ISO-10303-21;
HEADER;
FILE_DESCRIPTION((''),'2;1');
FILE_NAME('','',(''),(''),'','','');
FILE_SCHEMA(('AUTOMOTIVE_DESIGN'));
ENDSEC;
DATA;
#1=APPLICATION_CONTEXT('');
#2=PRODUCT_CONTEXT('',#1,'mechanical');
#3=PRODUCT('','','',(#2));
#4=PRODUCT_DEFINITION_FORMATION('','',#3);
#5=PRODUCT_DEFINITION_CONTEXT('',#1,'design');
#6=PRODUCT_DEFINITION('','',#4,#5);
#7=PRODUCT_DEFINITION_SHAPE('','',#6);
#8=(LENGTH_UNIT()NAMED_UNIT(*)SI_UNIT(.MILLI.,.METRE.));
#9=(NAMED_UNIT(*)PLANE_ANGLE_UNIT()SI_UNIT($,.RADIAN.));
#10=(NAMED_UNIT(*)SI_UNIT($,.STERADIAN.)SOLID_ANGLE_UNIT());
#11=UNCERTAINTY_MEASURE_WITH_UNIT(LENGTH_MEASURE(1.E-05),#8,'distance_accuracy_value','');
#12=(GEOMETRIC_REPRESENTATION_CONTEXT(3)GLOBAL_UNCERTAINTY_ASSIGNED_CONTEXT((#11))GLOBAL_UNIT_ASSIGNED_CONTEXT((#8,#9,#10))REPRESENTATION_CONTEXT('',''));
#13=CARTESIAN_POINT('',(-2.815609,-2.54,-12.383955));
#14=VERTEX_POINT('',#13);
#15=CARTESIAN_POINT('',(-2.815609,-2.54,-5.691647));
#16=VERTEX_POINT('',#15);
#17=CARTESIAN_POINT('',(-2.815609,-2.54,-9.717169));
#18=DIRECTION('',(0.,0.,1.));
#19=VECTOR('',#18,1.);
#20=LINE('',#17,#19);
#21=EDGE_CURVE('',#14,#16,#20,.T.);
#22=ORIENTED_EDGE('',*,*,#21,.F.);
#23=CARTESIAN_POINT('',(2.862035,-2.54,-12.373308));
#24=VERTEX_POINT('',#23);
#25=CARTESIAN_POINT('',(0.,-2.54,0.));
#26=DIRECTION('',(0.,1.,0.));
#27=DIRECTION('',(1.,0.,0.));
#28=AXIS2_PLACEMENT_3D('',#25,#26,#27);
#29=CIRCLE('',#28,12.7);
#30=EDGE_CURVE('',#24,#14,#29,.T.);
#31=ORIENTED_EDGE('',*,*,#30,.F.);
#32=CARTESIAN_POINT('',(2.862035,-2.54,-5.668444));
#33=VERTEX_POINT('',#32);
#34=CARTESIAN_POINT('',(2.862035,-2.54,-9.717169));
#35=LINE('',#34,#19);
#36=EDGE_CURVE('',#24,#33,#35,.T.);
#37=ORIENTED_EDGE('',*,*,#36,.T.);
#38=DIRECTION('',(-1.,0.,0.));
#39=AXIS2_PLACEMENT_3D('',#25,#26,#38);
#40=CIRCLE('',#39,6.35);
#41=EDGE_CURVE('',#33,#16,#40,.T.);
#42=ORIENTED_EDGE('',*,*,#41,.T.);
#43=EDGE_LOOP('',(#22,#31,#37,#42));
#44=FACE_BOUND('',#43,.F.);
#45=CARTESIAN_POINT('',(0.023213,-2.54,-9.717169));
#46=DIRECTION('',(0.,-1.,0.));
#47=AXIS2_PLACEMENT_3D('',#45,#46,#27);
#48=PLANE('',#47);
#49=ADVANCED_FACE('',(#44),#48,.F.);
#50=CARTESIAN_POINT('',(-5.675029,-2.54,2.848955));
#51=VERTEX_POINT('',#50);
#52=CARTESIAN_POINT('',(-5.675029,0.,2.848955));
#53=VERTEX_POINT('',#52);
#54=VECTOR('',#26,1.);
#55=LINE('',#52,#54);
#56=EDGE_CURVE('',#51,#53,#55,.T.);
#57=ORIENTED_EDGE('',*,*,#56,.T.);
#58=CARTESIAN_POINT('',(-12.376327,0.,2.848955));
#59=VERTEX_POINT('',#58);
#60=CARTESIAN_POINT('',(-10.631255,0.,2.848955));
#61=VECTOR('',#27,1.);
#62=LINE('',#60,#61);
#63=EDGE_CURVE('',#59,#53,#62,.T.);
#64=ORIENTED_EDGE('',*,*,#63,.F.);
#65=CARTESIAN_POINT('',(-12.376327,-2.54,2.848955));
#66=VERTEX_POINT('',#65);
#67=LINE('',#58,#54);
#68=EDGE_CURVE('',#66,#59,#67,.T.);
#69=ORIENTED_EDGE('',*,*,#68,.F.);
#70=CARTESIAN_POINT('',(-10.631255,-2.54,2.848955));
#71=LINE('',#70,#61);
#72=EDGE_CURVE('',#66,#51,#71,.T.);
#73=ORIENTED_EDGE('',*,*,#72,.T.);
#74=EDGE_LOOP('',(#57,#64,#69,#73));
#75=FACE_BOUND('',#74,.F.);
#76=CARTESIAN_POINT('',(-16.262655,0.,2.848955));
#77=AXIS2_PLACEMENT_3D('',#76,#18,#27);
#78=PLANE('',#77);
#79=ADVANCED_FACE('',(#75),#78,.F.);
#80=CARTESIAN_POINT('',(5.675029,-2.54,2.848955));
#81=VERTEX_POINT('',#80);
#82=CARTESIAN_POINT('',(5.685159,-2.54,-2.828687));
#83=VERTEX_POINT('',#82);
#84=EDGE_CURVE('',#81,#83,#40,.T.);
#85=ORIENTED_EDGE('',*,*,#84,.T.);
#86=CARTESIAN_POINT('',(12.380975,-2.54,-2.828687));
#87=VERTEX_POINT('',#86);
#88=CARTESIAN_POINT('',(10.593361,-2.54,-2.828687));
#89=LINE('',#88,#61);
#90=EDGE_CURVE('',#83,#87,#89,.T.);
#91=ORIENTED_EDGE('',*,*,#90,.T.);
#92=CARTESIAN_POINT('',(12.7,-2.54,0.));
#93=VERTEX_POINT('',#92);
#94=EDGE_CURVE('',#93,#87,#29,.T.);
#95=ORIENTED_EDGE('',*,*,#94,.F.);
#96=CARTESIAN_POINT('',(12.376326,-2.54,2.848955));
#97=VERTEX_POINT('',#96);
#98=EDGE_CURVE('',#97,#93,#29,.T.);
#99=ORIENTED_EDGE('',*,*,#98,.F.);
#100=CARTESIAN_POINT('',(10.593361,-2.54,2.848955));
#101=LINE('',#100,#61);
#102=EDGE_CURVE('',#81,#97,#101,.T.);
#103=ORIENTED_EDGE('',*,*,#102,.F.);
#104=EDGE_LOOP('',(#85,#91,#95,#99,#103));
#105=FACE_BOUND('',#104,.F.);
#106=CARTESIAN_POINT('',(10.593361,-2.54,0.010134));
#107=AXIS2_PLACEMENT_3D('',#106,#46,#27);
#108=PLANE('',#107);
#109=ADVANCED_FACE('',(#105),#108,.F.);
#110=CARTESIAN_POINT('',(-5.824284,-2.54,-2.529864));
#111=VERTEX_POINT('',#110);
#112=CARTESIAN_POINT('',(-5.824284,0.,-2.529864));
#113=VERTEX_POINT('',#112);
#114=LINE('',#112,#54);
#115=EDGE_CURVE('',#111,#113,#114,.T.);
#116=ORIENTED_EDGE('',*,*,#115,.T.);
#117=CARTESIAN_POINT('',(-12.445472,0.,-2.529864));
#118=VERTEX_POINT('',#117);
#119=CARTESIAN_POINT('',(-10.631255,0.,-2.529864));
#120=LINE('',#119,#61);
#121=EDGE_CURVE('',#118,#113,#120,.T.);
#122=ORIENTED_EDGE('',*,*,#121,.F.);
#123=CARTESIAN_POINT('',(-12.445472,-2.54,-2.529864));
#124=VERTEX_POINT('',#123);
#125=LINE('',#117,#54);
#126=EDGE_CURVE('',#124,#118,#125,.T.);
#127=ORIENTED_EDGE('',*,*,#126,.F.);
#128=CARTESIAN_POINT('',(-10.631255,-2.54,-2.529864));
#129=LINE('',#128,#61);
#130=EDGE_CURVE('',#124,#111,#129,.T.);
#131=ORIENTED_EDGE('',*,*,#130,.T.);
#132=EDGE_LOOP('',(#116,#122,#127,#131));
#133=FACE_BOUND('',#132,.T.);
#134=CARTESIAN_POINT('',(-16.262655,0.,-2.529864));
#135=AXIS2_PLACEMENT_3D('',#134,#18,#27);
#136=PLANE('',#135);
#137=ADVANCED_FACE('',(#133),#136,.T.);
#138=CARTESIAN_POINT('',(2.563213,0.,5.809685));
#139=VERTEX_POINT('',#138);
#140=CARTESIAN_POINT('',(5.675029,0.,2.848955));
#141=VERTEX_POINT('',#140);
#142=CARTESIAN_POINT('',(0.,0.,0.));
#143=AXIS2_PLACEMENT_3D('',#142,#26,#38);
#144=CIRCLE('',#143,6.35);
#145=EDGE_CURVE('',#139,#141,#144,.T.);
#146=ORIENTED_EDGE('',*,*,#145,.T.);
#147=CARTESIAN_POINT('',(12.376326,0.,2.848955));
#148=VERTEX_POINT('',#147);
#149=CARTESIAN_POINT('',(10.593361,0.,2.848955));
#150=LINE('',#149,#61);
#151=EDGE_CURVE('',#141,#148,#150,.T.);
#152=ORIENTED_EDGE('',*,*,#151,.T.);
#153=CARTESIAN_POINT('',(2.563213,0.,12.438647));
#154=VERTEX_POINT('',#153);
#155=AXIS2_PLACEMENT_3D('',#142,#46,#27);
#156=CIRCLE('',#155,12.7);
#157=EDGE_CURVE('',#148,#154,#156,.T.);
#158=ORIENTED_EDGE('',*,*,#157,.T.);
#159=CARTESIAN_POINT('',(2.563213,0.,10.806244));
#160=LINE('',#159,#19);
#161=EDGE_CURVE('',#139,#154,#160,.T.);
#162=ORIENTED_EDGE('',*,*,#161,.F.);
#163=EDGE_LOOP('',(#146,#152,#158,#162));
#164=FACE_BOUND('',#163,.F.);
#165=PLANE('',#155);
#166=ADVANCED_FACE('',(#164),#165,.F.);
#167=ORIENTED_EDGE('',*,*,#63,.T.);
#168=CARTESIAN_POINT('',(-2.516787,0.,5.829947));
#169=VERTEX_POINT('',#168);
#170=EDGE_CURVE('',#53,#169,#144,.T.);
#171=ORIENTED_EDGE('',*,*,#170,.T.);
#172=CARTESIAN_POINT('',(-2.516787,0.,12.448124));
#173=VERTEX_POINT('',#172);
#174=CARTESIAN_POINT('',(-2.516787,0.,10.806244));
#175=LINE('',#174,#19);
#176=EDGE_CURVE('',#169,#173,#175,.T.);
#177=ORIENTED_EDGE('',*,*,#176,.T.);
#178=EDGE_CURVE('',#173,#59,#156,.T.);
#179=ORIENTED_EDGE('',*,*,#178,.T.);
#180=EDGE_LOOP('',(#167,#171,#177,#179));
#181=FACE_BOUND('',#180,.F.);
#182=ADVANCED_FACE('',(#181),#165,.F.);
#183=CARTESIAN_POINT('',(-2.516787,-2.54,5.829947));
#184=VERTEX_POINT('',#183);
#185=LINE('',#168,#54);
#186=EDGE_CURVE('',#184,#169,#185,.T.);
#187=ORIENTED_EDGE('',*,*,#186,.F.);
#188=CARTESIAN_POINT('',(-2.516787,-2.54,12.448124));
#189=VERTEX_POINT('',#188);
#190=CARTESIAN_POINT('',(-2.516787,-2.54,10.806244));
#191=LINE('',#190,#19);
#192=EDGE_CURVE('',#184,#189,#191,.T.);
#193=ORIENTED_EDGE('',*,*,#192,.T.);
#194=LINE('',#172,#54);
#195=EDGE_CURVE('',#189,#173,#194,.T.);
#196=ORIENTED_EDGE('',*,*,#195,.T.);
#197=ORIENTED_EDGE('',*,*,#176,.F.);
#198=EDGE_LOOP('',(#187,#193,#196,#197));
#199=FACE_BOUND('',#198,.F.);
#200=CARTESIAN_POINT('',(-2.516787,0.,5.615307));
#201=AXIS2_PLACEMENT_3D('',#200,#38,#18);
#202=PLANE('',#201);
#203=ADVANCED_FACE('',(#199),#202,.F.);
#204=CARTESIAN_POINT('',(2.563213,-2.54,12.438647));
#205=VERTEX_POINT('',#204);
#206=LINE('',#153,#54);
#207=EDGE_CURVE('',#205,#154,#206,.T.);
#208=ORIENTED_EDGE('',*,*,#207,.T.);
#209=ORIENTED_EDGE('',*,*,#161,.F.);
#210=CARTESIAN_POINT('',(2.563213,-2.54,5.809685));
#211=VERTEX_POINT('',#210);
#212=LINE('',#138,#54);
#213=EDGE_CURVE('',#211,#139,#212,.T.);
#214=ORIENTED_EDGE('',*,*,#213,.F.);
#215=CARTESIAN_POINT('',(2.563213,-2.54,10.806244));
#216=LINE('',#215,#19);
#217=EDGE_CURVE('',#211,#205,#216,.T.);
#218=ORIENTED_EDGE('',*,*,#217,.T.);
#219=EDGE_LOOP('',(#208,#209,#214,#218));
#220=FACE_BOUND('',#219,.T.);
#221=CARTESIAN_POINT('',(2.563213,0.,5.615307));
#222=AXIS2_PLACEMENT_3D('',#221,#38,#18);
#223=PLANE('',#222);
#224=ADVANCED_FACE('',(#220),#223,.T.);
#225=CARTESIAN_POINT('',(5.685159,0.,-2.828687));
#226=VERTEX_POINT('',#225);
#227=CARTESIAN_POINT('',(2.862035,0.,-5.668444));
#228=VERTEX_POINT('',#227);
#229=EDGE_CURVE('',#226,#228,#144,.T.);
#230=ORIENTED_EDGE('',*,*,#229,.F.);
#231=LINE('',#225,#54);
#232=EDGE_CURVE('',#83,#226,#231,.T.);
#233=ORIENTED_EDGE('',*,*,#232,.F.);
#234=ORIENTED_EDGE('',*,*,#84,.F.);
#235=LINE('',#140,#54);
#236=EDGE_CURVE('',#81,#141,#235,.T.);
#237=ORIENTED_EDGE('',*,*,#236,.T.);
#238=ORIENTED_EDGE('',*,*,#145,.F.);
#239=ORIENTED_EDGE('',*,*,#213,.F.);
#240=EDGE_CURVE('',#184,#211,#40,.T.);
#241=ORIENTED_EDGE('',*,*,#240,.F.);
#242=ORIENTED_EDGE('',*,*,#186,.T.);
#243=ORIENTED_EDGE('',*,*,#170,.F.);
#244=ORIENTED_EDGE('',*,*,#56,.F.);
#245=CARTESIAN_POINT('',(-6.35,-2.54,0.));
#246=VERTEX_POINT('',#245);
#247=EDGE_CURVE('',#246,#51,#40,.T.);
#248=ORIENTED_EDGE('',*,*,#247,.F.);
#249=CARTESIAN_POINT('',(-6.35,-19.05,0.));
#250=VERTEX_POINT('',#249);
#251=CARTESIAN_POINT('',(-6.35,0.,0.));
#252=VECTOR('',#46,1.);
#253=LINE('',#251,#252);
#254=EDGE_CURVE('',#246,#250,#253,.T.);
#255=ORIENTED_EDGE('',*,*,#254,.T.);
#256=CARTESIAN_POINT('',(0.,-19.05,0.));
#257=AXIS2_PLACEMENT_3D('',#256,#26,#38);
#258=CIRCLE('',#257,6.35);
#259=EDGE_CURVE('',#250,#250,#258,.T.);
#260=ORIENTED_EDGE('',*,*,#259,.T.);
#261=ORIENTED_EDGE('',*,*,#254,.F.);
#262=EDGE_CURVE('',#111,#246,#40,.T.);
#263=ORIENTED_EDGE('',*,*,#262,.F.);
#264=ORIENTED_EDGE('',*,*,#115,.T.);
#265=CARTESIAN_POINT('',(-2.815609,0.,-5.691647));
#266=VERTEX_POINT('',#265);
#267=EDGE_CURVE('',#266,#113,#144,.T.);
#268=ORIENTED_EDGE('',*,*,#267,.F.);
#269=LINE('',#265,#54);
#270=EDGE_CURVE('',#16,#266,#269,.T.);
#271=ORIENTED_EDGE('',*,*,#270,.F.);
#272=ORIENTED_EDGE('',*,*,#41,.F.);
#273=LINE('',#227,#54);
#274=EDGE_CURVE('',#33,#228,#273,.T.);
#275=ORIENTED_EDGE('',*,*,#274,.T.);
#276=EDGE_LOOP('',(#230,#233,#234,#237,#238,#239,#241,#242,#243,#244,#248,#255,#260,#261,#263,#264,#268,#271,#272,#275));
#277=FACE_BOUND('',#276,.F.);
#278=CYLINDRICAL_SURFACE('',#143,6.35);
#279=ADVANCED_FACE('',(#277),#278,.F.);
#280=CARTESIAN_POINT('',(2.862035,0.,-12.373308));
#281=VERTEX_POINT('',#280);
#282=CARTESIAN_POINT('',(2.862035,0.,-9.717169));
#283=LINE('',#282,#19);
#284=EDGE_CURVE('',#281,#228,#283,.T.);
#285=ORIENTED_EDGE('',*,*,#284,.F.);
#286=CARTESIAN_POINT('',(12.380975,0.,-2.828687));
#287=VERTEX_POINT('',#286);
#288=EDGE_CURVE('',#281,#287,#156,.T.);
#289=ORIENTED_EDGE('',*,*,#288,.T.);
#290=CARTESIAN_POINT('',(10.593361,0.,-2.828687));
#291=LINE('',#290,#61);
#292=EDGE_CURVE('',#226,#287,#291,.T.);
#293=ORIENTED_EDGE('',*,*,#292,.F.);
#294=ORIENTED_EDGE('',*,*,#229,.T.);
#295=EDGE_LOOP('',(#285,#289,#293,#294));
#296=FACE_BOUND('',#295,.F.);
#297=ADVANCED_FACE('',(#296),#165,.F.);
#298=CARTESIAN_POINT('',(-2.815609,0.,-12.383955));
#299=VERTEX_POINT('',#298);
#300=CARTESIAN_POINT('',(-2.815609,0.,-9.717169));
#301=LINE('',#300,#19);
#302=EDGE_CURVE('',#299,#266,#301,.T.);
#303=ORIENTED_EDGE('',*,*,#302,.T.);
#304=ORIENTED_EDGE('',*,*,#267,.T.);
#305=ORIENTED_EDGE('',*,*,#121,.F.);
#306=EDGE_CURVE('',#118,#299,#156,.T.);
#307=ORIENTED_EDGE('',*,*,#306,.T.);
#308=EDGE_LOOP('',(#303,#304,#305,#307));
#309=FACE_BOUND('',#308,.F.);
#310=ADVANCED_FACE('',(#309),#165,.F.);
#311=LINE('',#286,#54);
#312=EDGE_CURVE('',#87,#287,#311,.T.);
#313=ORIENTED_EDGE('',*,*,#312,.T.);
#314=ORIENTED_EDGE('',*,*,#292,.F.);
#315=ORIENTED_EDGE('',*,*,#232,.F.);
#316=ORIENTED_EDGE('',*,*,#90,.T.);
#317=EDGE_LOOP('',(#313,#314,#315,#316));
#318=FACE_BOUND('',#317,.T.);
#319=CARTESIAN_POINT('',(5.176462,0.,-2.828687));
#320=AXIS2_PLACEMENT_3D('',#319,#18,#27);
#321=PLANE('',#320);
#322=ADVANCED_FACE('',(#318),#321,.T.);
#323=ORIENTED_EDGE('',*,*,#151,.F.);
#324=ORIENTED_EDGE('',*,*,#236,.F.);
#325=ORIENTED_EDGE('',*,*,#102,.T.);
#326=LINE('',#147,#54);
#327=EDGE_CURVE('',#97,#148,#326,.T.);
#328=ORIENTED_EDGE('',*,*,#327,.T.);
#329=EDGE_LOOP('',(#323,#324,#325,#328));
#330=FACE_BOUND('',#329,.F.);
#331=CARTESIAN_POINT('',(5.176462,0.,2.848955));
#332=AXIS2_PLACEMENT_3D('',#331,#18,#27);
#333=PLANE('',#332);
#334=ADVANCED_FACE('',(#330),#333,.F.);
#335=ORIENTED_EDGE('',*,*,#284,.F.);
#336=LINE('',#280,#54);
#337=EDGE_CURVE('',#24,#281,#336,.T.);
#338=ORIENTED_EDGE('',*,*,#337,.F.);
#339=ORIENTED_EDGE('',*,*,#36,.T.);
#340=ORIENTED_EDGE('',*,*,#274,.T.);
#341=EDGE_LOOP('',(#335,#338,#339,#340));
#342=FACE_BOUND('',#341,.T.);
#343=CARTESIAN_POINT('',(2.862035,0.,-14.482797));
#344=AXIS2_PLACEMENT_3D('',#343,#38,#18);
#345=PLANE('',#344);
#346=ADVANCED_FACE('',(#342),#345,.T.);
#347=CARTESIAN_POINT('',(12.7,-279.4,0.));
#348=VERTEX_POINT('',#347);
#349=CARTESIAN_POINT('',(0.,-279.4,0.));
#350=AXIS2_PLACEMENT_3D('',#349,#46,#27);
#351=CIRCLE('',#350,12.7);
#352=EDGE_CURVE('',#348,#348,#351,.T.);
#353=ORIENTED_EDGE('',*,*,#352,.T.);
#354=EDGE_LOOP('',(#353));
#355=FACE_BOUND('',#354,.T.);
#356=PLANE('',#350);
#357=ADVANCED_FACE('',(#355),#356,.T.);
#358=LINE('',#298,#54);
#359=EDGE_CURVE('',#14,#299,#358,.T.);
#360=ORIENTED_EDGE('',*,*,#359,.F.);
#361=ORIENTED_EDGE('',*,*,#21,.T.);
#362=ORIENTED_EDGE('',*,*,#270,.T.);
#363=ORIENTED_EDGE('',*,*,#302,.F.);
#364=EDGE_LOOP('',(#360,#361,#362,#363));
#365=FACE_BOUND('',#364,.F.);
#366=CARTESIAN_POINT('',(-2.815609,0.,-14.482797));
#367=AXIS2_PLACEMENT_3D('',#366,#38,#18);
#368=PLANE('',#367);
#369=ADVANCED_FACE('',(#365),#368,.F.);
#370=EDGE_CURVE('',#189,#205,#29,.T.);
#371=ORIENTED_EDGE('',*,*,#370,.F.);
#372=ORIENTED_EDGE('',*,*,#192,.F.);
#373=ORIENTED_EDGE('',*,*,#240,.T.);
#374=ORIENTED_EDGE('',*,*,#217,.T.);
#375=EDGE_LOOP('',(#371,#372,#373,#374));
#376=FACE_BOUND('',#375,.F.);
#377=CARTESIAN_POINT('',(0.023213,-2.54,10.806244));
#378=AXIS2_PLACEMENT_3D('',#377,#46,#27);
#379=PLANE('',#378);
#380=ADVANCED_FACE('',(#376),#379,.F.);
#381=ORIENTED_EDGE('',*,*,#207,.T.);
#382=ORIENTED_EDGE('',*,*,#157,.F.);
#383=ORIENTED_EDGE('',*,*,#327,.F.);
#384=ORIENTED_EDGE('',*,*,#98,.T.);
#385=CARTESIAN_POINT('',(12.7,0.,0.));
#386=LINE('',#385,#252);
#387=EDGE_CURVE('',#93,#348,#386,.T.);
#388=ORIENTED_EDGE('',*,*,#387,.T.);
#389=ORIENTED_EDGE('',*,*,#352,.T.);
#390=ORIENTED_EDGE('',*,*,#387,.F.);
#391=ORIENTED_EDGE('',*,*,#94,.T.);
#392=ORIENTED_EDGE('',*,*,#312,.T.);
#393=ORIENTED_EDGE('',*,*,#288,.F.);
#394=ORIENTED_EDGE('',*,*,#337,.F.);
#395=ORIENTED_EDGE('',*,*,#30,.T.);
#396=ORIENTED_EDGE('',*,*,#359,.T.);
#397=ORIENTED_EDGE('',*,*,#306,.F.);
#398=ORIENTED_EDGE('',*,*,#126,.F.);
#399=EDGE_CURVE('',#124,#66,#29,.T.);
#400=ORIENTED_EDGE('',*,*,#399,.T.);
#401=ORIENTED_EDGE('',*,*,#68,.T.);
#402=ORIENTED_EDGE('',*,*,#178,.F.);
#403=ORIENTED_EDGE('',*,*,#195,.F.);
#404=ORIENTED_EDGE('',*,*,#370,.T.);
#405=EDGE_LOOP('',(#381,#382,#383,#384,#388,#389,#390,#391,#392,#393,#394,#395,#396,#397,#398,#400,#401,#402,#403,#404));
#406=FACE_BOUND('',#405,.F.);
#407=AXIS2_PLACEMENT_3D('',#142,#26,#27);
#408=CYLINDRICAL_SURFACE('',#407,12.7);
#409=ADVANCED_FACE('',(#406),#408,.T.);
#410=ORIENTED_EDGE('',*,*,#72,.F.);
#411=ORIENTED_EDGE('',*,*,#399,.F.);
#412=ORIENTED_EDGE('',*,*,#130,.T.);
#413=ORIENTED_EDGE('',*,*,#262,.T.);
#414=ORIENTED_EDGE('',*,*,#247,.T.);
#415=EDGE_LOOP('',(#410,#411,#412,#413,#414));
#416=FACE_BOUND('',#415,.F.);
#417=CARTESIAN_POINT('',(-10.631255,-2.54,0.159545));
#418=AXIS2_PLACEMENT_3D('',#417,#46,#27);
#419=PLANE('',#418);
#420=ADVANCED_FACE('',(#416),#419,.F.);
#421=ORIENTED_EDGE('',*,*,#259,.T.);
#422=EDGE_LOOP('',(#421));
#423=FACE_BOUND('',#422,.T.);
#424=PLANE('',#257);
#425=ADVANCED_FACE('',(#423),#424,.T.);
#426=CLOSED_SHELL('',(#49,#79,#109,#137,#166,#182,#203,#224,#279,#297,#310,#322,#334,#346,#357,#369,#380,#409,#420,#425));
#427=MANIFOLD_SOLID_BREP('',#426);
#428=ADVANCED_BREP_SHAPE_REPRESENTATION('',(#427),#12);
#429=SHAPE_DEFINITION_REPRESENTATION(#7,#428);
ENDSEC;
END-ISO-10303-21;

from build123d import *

# Parameters (mm, degrees)
F0_R     = 12.7
F1_DEPTH = 279.4
F2_R     = 6.35
F3_DEPTH = 19.05
F4_W     = 5.08
F4_H     = 10.381874
F4_W_2   = 11.262799
F4_H_2   = 5.378819
F4_W_3   = 5.677644
F4_H_3   = 9.531256
F4_W_4   = 10.833798
F4_H_4   = 5.677642
F5_DEPTH = 2.54


with BuildPart() as f1:
    # F0 (on Front) → F1 (new body)
    with BuildSketch(Plane.XZ):
        Circle(F0_R)
    extrude(amount=F1_DEPTH)

    # F2 (on face) → F3 (cut)
    with BuildSketch(Plane(origin=(0, 0, 0), x_dir=(-1, 0, 0), z_dir=(0, 1, 0))):
        Circle(F2_R)
    extrude(amount=-F3_DEPTH, mode=Mode.SUBTRACT)

    # F4 (on Front) → F5 (cut)
    with BuildSketch(Plane.XZ):
        with Locations((0.023213, 10.806244)):
            Rectangle(F4_W, F4_H)
        with Locations((-10.631255, 0.159545)):
            Rectangle(F4_W_2, F4_H_2)
        with Locations((0.023213, -9.717169)):
            Rectangle(F4_W_3, F4_H_3)
        with Locations((10.593361, 0.010134)):
            Rectangle(F4_W_4, F4_H_4)
    extrude(amount=F5_DEPTH, mode=Mode.SUBTRACT)


solid = f1.part
